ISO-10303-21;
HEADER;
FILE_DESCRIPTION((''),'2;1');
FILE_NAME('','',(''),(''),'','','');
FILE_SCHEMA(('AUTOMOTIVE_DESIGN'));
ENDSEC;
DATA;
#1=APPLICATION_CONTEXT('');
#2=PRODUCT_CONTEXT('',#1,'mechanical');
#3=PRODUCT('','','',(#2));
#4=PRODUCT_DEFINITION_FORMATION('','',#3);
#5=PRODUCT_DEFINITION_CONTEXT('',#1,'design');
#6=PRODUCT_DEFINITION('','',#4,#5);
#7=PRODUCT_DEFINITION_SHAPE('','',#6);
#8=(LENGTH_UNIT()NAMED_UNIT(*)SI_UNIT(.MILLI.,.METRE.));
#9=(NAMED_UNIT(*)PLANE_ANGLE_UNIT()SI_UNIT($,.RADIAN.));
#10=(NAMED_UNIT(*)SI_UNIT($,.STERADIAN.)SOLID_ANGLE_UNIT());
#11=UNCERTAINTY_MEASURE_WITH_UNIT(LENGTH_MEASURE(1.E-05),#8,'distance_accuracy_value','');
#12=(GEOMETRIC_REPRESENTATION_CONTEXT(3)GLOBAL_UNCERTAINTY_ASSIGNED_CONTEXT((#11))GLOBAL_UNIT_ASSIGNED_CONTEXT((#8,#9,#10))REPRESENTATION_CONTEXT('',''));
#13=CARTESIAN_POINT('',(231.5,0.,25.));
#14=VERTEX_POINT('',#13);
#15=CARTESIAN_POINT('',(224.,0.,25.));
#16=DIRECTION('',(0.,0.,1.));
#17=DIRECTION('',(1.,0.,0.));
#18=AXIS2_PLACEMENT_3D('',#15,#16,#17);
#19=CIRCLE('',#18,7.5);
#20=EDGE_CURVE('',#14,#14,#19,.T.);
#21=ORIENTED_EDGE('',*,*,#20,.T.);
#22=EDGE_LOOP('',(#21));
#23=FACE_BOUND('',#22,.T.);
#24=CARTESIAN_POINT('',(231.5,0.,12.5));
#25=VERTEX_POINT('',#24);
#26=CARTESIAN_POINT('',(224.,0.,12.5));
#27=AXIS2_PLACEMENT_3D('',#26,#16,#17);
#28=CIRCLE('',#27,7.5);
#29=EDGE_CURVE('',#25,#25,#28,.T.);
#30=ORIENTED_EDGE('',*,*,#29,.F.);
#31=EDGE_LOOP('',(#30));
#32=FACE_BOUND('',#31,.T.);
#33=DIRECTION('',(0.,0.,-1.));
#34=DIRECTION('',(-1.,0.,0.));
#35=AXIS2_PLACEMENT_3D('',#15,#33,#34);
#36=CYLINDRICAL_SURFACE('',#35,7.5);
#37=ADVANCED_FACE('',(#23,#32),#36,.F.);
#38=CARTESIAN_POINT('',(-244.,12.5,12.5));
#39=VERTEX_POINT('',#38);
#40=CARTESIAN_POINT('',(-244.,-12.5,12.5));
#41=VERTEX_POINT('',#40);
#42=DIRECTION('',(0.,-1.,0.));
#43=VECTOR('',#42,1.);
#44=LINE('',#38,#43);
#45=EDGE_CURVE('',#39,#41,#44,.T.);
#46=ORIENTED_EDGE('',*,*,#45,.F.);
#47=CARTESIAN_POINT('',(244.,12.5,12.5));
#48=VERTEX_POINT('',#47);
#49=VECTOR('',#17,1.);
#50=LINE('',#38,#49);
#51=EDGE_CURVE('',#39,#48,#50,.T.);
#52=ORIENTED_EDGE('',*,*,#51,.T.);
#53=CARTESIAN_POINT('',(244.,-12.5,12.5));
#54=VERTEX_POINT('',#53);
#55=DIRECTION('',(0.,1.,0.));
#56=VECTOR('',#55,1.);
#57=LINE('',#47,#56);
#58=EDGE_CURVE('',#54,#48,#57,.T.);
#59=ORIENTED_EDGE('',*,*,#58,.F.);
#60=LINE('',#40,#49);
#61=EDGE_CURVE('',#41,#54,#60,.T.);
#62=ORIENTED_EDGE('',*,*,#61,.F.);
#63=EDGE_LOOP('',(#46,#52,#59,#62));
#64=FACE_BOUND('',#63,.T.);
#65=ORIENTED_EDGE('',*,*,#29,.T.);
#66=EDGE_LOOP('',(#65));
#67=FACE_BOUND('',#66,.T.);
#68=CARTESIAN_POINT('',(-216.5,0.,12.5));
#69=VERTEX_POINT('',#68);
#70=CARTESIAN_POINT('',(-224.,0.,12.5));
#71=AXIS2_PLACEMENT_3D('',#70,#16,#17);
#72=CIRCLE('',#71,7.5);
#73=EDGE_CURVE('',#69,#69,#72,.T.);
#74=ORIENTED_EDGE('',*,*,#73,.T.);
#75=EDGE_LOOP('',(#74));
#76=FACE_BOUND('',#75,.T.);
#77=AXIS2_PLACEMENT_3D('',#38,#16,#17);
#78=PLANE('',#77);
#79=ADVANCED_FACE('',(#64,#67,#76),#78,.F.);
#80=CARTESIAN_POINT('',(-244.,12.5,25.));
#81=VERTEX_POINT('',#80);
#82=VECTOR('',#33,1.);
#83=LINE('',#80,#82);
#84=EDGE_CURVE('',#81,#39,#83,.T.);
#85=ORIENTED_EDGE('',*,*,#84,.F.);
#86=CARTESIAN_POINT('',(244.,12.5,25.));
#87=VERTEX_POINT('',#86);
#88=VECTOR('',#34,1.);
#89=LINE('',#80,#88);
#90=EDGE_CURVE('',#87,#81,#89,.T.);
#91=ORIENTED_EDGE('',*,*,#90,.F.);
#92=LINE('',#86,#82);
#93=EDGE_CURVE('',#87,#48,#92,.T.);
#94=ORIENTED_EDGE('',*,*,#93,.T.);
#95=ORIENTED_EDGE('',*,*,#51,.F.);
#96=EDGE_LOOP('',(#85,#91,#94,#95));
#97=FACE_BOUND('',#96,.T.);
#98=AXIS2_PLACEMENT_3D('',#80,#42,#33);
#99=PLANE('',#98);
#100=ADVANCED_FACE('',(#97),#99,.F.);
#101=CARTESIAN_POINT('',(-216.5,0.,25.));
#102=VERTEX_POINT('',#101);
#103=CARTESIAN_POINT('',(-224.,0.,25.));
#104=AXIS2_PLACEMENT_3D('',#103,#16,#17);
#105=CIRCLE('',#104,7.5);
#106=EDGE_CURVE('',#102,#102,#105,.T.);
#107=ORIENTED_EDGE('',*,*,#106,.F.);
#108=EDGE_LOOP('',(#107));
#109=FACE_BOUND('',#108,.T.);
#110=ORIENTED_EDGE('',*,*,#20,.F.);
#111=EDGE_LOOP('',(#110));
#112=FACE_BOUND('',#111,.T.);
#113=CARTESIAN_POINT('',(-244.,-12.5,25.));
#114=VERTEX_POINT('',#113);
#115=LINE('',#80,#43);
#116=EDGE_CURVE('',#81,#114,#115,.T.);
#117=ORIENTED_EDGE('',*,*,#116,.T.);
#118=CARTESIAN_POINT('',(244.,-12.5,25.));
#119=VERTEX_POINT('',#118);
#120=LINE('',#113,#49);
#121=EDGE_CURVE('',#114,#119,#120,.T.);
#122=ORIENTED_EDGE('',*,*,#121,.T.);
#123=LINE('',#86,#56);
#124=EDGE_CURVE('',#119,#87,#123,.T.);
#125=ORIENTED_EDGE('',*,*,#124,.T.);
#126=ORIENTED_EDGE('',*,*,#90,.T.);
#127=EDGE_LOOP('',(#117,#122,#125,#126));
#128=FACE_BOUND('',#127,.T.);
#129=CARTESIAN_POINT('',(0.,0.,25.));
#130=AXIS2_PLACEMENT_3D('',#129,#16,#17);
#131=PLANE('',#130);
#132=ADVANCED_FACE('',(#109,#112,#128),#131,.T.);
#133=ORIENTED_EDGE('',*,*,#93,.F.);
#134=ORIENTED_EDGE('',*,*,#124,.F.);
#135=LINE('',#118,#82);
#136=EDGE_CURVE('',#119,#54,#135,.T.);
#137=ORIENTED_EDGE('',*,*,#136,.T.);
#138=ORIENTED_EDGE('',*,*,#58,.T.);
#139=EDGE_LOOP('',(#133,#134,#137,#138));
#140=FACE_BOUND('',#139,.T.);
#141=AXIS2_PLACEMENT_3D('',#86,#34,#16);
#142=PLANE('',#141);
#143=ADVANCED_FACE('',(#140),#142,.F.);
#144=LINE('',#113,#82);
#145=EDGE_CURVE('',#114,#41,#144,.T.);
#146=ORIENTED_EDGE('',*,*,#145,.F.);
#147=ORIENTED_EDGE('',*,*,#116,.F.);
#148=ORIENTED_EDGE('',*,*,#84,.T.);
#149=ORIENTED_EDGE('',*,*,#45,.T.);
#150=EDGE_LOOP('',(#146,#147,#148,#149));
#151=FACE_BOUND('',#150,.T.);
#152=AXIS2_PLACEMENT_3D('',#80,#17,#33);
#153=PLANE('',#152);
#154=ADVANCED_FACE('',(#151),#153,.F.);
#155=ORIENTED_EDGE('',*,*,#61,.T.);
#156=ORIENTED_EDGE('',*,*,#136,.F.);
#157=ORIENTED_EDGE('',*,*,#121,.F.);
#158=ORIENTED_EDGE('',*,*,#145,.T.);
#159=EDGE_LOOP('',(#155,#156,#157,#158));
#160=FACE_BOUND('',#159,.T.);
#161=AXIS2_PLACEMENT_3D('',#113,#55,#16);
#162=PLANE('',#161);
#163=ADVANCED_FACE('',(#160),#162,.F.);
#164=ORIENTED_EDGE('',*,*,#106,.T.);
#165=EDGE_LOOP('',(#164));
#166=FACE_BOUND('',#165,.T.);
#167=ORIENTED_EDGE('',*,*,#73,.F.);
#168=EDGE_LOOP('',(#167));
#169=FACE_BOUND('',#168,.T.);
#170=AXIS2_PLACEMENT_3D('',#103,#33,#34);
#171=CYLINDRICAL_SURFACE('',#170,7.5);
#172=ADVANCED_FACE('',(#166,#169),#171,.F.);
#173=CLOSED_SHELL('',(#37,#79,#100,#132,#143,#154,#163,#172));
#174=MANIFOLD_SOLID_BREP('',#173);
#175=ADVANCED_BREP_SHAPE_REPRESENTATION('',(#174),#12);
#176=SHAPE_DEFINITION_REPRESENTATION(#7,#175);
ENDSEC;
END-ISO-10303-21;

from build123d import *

# Parameters (mm, degrees)
SKETCH1_W               = 488
SKETCH1_H               = 25
SKETCH1_R               = 7.5
BOSS_EXTRUDE1_DEPTH     = 25
CUT_EXTRUDE1_DEPTH      = 489.799805646
CUT_EXTRUDE1_DEPTH_BACK = 489.799805646
SKETCH2_W               = 12.5
SKETCH2_H               = 25


with BuildPart() as part:
    # Sketch1 → Boss-Extrude1 (new body)
    with BuildSketch(Plane.XY):
        Rectangle(SKETCH1_W, SKETCH1_H)
        with Locations((-224, 0)):
            Circle(SKETCH1_R, mode=Mode.SUBTRACT)
        with Locations((224, 0)):
            Circle(SKETCH1_R, mode=Mode.SUBTRACT)
    extrude(amount=BOSS_EXTRUDE1_DEPTH)

    # Sketch2 → Cut-Extrude1 (cut, two sides: drawn at the far end of the back side and taken through both)
    with BuildSketch(Plane(origin=(244, 0, 0), x_dir=(0, 0, -1), z_dir=(1, 0, 0)).offset(-CUT_EXTRUDE1_DEPTH_BACK)):
        with Locations((-6.25, 0)):
            Rectangle(SKETCH2_W, SKETCH2_H)
    extrude(amount=CUT_EXTRUDE1_DEPTH + CUT_EXTRUDE1_DEPTH_BACK, mode=Mode.SUBTRACT)


solid = part.part
